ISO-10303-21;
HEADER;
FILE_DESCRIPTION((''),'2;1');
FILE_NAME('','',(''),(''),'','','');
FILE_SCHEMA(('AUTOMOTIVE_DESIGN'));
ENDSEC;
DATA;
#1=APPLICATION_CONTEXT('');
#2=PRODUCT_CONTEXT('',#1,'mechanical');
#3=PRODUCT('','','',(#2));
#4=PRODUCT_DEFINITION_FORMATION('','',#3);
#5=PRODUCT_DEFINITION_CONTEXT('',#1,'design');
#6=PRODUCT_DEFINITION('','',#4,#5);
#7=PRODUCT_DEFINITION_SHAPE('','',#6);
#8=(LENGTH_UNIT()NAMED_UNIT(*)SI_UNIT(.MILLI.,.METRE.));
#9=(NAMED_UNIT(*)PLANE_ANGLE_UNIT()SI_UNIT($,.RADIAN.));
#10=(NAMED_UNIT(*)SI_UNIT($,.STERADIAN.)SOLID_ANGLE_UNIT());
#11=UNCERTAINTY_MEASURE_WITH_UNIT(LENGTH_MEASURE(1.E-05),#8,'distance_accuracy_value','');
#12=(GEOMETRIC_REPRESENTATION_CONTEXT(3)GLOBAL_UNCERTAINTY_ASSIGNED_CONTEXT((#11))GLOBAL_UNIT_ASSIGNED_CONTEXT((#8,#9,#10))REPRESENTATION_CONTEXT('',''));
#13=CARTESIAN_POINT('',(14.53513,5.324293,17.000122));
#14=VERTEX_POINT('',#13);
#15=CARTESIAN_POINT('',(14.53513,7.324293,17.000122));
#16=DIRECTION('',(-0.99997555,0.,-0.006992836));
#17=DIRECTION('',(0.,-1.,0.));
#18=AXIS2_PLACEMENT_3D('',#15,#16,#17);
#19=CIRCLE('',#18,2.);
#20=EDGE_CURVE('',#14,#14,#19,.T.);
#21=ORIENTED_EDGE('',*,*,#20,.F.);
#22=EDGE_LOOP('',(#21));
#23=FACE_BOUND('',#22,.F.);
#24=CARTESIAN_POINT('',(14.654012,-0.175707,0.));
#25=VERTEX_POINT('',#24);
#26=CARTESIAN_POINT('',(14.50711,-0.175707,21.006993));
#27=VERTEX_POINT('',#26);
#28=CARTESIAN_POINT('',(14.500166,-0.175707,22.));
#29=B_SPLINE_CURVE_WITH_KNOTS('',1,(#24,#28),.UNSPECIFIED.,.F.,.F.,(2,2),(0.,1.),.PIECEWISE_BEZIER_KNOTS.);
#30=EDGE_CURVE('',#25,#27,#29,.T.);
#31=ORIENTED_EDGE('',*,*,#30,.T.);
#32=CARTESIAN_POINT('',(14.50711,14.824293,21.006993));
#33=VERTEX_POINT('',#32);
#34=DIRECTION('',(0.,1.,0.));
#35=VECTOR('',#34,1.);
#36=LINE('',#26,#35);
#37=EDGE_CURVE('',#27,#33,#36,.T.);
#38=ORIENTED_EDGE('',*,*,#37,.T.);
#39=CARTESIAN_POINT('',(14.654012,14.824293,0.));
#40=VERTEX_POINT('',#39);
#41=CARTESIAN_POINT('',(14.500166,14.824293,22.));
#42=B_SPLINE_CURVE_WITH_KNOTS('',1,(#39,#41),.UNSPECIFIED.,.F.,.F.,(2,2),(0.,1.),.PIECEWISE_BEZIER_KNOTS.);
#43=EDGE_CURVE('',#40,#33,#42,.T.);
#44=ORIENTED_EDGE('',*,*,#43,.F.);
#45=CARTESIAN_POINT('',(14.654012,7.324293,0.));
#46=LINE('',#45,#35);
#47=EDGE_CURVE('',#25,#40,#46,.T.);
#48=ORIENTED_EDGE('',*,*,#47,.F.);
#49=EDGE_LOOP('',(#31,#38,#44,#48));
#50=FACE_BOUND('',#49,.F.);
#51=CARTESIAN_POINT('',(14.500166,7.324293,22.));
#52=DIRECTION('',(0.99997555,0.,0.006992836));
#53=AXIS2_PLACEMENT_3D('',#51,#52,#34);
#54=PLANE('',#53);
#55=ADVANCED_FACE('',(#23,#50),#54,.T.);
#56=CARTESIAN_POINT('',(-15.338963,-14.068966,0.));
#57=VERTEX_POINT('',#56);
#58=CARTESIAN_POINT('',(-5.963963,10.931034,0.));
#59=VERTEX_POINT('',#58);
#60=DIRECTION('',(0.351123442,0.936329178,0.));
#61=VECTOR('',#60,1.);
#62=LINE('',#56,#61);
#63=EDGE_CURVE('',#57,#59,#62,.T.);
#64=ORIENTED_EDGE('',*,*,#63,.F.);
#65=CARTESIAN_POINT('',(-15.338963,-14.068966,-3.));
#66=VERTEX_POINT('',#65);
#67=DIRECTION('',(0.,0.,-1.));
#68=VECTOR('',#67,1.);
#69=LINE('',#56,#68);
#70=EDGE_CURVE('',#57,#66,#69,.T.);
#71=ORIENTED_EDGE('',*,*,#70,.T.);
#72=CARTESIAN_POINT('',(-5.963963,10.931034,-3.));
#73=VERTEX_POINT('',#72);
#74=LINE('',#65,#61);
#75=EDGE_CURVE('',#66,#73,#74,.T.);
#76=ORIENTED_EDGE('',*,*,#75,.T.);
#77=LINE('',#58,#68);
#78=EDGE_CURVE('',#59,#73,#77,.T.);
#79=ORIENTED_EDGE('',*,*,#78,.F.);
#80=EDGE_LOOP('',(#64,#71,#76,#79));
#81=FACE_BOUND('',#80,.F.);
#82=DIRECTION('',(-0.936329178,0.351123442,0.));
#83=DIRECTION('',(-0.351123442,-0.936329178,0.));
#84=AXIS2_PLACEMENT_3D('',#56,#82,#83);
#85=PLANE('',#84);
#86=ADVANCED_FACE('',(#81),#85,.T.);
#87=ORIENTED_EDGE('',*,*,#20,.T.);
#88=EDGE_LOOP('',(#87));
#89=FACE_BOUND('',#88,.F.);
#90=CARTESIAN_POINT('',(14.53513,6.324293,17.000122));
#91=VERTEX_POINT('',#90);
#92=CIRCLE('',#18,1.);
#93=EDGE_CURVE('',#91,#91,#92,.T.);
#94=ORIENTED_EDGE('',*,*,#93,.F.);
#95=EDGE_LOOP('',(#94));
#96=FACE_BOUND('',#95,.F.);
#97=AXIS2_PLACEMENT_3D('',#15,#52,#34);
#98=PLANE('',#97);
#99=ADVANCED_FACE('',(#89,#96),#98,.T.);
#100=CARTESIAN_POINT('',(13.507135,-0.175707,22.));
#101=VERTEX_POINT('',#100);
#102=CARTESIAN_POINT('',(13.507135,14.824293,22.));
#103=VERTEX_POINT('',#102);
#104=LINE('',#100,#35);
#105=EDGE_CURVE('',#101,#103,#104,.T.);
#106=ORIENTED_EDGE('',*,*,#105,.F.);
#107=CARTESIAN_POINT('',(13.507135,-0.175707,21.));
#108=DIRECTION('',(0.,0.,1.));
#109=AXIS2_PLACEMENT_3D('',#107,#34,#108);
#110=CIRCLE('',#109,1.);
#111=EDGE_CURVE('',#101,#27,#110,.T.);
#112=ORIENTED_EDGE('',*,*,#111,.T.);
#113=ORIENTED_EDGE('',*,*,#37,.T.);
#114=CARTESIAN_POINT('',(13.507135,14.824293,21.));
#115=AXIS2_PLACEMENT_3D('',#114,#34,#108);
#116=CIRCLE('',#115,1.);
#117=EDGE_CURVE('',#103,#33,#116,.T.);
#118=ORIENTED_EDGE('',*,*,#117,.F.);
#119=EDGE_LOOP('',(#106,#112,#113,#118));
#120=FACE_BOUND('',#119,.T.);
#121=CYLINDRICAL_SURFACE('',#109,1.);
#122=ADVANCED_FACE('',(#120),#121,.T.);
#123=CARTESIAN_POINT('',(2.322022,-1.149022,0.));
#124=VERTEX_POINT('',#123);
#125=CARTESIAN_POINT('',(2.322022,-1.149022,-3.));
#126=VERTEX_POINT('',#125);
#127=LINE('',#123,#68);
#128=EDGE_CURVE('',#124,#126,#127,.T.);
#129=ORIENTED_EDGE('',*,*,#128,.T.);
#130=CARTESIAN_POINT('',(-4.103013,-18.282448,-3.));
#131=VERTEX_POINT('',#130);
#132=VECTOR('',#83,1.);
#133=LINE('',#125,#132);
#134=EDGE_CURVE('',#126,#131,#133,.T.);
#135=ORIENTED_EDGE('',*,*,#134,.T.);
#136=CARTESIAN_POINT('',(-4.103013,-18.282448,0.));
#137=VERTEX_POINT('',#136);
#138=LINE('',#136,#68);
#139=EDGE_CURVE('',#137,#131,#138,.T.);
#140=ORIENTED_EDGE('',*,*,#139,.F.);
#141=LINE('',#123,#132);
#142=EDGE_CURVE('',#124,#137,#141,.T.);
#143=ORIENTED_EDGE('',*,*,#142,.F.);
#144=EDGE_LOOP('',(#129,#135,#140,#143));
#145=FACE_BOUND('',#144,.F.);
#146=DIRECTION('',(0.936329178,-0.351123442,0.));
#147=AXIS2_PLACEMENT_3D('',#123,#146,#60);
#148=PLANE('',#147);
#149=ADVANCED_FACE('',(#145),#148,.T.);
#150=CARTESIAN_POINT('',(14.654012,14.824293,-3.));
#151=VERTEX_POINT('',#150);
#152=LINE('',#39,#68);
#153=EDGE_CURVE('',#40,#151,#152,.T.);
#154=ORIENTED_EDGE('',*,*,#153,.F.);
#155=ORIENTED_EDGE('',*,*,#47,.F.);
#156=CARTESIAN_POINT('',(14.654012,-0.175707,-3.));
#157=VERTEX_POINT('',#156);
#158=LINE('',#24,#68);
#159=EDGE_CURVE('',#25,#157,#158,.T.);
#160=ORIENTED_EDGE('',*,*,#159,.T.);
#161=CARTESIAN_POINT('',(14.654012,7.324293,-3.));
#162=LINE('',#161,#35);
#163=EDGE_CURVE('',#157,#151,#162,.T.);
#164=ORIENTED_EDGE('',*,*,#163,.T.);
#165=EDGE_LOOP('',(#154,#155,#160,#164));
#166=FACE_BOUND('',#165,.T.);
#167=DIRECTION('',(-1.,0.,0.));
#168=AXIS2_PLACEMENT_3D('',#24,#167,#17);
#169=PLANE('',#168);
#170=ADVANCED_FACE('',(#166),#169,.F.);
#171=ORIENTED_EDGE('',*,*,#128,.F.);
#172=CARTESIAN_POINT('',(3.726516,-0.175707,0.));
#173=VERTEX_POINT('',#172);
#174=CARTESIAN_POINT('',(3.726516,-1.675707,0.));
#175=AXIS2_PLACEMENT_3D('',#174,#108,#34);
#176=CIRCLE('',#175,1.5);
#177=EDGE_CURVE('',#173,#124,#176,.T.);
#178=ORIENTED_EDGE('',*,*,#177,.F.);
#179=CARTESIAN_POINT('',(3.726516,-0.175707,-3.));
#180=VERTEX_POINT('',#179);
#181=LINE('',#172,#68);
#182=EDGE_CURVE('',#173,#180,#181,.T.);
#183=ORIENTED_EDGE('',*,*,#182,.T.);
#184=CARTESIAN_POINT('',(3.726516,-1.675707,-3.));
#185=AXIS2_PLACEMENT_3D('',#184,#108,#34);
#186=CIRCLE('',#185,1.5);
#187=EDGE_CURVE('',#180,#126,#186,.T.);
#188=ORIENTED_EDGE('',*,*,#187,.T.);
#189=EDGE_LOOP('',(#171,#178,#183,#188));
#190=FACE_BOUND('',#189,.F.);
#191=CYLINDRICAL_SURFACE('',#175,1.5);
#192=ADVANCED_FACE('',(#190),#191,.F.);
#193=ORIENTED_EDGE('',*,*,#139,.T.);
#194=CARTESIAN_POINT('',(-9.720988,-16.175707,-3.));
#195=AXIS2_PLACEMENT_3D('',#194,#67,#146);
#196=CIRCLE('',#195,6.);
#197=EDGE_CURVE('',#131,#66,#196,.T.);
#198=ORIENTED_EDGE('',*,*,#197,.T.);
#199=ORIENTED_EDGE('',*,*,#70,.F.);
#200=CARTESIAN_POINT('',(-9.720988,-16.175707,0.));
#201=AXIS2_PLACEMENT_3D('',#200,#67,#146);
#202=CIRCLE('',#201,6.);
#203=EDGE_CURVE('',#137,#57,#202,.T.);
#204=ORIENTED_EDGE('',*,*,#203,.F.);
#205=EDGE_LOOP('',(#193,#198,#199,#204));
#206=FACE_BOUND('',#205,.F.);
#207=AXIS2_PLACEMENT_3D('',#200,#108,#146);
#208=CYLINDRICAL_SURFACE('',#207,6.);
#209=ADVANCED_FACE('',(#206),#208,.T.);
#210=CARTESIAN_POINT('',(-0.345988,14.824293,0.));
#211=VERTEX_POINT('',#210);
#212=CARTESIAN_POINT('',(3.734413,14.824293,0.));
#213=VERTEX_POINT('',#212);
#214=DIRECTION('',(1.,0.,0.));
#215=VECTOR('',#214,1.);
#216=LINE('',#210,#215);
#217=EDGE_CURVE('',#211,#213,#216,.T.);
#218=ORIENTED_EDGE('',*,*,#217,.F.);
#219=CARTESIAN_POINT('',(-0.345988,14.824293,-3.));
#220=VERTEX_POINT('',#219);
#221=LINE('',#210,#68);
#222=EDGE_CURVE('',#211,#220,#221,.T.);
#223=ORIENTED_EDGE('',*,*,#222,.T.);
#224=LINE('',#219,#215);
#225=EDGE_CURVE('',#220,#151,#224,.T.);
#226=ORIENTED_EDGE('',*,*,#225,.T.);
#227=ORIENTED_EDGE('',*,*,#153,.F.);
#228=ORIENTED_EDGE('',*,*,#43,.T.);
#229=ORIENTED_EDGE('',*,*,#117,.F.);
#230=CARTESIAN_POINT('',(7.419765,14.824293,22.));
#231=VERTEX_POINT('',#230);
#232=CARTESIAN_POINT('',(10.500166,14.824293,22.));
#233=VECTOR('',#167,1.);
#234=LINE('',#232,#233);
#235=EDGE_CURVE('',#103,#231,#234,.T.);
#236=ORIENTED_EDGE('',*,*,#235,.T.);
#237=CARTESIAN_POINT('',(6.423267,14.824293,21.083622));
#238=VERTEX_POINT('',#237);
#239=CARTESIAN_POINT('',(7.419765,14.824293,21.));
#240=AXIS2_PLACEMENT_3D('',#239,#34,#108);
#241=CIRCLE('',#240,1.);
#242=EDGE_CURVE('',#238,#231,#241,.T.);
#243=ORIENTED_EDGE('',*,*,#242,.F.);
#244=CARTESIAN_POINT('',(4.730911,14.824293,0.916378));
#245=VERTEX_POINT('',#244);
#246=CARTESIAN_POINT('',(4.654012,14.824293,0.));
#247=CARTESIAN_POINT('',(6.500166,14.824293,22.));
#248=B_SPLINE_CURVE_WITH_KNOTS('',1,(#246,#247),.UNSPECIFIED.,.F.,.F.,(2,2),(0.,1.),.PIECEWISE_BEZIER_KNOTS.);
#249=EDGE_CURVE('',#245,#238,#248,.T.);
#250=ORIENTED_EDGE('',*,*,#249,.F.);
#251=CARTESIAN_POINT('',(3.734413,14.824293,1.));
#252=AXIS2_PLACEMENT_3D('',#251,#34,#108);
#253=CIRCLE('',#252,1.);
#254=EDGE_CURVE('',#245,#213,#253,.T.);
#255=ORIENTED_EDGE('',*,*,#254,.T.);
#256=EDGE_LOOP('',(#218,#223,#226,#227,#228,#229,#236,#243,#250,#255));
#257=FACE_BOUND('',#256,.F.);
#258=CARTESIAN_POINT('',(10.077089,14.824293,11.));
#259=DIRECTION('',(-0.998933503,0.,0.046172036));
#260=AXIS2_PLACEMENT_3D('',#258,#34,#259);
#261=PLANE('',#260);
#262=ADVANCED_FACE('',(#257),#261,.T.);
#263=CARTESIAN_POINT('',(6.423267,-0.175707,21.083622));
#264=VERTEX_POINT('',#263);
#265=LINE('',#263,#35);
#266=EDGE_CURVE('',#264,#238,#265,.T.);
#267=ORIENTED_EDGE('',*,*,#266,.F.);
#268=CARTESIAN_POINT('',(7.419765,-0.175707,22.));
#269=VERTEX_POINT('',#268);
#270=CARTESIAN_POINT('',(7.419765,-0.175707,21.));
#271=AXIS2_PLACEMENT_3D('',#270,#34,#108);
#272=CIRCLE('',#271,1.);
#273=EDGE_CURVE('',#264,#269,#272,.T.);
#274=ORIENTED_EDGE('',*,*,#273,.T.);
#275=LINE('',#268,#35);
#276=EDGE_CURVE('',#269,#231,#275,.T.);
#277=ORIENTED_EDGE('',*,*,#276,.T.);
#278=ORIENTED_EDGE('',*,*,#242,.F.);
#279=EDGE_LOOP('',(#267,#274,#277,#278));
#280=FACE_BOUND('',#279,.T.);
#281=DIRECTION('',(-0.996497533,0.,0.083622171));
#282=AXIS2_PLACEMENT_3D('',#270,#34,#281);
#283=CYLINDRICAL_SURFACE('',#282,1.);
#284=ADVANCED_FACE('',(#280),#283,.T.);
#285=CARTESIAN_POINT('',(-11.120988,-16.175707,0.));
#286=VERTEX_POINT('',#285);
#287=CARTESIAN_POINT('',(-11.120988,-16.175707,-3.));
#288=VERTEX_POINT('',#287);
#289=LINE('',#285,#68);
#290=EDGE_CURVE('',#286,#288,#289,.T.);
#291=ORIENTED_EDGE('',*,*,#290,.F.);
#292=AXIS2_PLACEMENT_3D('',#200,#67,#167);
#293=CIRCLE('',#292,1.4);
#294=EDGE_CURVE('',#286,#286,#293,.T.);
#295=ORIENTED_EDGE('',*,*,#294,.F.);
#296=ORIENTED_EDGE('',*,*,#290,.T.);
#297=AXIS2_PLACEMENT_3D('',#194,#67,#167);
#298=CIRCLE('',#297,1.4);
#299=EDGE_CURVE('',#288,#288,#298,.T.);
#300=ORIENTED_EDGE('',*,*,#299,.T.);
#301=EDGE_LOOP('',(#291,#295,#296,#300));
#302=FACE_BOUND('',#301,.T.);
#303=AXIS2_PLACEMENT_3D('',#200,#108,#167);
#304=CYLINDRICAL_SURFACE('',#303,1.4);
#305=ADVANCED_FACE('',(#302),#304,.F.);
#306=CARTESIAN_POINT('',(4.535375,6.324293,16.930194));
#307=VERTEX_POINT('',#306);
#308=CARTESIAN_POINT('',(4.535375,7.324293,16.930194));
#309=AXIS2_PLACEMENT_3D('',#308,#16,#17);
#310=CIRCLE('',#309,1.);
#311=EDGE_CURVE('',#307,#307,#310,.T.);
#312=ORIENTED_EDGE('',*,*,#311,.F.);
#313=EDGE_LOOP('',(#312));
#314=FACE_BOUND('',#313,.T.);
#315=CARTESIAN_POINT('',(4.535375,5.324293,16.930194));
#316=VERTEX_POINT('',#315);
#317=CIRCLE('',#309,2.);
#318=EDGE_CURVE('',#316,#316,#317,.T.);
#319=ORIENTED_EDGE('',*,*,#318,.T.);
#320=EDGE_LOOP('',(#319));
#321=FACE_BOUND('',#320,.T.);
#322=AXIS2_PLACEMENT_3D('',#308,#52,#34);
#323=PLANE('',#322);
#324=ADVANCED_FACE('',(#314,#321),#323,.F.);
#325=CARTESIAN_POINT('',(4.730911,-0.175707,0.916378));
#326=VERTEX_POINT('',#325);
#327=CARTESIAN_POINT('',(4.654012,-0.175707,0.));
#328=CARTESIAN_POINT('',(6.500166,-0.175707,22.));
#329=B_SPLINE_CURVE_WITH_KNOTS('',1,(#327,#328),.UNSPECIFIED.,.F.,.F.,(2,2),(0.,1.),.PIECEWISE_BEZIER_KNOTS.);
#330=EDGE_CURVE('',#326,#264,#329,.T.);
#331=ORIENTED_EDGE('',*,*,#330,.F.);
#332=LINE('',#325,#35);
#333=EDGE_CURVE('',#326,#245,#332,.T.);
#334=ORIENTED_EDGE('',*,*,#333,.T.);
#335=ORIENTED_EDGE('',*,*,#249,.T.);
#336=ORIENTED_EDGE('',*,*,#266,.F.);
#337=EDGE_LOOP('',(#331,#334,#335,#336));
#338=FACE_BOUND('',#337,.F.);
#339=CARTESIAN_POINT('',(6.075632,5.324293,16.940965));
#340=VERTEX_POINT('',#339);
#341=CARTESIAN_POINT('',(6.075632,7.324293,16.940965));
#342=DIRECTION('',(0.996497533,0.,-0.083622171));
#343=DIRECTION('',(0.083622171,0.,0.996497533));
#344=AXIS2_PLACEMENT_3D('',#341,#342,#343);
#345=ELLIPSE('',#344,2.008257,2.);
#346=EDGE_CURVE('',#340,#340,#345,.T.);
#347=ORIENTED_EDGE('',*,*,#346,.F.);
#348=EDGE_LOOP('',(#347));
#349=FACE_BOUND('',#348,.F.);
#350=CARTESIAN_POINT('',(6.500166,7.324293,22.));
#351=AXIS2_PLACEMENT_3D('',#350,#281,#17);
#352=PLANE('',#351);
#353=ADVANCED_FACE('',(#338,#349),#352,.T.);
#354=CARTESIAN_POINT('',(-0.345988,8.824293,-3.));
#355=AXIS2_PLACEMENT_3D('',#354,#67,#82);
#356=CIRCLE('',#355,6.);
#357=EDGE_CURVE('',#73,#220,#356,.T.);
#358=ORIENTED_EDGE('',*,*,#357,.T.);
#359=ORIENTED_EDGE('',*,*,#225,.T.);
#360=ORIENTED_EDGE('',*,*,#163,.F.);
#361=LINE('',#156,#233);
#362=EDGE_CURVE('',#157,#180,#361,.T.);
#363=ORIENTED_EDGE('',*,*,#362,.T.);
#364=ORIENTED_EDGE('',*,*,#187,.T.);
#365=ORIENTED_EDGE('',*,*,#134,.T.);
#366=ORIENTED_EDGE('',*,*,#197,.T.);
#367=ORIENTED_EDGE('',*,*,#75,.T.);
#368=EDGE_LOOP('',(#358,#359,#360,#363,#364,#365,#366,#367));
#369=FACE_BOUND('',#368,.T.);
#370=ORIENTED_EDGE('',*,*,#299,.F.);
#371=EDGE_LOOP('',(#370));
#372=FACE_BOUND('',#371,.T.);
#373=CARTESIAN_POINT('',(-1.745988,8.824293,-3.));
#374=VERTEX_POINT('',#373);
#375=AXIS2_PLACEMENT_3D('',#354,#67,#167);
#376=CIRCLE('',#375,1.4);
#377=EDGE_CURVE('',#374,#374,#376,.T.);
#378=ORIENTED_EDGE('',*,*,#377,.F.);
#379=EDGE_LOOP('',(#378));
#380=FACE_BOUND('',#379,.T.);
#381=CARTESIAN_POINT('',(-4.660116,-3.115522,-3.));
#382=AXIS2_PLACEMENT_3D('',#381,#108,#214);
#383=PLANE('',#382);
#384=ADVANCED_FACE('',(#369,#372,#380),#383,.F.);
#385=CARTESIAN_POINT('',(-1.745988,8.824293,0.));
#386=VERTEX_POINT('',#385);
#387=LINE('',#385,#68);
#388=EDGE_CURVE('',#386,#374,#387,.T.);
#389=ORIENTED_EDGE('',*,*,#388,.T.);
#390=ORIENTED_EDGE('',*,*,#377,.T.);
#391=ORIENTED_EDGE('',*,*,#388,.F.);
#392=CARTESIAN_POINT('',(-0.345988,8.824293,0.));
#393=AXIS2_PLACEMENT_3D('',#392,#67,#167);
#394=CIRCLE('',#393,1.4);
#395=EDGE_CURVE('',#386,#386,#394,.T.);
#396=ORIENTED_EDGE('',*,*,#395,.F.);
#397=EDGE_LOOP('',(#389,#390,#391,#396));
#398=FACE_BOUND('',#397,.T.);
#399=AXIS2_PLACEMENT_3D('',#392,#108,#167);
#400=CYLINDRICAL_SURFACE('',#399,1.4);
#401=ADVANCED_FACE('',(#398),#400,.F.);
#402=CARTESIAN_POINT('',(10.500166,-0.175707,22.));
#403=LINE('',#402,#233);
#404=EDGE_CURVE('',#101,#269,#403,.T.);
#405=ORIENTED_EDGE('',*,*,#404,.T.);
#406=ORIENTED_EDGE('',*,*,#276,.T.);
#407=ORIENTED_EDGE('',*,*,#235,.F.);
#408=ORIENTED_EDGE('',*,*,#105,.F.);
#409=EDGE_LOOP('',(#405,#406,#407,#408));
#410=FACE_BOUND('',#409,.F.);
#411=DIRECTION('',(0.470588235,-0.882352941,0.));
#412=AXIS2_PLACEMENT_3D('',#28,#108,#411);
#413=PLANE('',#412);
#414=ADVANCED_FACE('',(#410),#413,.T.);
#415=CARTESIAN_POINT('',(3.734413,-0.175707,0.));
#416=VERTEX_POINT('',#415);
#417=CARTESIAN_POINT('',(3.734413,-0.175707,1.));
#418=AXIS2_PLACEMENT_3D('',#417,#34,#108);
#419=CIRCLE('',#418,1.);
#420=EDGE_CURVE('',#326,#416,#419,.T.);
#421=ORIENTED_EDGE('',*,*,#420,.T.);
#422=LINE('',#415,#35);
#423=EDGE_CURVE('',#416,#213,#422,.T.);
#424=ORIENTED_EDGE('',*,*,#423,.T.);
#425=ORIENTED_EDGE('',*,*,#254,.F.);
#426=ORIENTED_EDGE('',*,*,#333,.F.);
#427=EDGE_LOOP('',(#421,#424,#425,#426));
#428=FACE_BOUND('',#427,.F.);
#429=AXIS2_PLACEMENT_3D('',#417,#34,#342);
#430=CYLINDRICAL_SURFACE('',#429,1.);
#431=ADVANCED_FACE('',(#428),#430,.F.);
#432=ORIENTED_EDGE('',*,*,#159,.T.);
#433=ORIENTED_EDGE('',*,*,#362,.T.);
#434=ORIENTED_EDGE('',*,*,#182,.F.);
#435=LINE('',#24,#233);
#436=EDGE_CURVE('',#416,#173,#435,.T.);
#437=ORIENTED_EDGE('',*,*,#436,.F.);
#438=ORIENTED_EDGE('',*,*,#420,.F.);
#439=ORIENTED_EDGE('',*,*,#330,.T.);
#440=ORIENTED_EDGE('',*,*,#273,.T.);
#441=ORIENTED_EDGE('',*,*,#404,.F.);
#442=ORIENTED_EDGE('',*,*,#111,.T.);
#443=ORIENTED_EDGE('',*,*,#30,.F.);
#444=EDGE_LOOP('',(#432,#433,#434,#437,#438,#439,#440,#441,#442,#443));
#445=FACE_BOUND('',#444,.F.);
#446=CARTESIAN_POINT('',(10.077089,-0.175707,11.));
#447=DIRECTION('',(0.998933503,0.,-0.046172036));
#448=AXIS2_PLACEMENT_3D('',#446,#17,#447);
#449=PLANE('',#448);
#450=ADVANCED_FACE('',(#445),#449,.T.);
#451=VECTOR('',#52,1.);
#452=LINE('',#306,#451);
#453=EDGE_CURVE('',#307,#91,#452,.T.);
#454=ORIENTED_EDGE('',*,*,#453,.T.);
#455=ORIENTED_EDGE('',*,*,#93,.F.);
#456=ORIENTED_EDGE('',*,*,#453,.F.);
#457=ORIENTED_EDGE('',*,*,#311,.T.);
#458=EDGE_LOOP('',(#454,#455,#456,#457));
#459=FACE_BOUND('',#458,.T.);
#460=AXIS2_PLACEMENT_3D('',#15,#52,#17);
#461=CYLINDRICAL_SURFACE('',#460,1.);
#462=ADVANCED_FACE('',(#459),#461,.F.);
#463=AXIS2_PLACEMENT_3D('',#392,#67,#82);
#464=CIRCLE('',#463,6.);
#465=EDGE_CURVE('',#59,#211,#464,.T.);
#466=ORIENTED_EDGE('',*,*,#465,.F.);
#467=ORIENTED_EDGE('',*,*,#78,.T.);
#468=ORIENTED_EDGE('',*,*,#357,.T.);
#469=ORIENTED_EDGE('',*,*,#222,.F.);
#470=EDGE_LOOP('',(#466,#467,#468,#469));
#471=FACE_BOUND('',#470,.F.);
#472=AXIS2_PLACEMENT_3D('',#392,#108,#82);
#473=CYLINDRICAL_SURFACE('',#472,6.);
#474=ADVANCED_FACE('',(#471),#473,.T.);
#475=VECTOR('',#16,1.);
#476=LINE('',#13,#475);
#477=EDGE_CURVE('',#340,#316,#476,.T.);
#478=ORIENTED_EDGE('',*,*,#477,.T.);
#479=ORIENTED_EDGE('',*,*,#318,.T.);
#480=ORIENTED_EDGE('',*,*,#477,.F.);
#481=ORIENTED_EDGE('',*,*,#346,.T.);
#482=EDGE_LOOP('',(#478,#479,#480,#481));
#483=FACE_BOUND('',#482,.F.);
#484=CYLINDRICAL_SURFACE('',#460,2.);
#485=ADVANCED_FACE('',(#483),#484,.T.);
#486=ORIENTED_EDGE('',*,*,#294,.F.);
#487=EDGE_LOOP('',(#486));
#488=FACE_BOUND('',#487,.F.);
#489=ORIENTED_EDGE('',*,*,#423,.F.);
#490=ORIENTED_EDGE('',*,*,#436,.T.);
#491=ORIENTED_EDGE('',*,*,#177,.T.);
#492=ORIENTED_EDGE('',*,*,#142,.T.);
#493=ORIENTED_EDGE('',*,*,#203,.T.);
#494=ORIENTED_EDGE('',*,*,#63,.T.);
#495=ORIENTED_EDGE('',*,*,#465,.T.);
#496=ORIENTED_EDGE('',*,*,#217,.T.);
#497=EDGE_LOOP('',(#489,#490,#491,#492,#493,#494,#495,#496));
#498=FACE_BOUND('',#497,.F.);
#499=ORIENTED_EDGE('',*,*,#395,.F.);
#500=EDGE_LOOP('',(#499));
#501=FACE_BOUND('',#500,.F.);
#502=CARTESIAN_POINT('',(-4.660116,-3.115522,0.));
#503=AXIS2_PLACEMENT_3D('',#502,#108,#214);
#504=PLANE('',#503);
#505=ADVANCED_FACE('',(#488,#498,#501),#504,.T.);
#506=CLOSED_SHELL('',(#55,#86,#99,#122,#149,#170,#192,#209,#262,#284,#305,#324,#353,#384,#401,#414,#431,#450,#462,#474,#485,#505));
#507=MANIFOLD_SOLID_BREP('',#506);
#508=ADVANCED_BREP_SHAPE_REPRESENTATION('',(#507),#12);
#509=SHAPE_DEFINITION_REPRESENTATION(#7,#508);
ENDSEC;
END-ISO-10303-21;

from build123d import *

# Parameters (mm, degrees)
F0_R     = 1.4
F0_W     = 10
F0_H     = 15
F3_DEPTH = 3
F2_W     = 8
F2_H     = 15
F5_R     = 2
F5_R_2   = 1
F6_DEPTH = 10
F7_DEPTH = 15
F8_R     = 1


with BuildPart() as f3:
    # F0 (on Top) → F3 (new body)
    with BuildSketch(Plane.XY):
        with BuildLine():
            Line((-2.3220218662, -1.1490219488), (4.1030128133, -18.2824477607))
            ThreePointArc((4.1030128133, -18.2824477607), (11.8277285282, -21.7936821766), (15.3389629441, -14.0689664616))
            Line((15.3389629441, -14.0689664616), (5.9639629441, 10.9310335384))
            ThreePointArc((5.9639629441, 10.9310335384), (3.7635569052, 13.7558465942), (0.3459878787, 14.8242928889))
            Line((0.3459878787, 14.8242928889), (-4.6540121213, 14.8242928889))
            Line((-4.6540121213, 14.8242928889), (-4.6540121213, -0.1757071111))
            Line((-4.6540121213, -0.1757071111), (-3.7265156326, -0.1757071111))
            ThreePointArc((-3.7265156326, -0.1757071111), (-2.8721233759, -0.4428186848), (-2.3220218662, -1.1490219488))
        make_face()
        with Locations((9.7209878787, -16.1757071111)):
            Circle(F0_R, mode=Mode.SUBTRACT)
        with Locations((0.3459878787, 8.8242928889)):
            Circle(F0_R, mode=Mode.SUBTRACT)
        with Locations((-9.6540121213, 7.3242928889)):
            Rectangle(F0_W, F0_H)
    extrude(amount=-F3_DEPTH)

    # F0 (on Top) → F4 section 0
    with BuildSketch(Plane.XY):
        with Locations((-9.6540121213, 7.3242928889)):
            Rectangle(F0_W, F0_H)
    # F2 (on offset) → F4 section 1
    with BuildSketch(Plane.XY.offset(22)):
        with Locations((-10.5001659675, 7.3242928889)):
            Rectangle(F2_W, F2_H)
    loft()

    # F5 (on face) → F6 (join)
    with BuildSketch(Plane(origin=(-14.6532955437, 0, 0.1024705982), x_dir=(0, -1, 0), z_dir=(-0.9999755498, 0, 0.006992836))):
        with Locations((-7.3242928889, 16.8980648133)):
            Circle(F5_R)
        with Locations((-7.3242928889, 16.8980648133)):
            Circle(F5_R_2, mode=Mode.SUBTRACT)
    extrude(amount=-F6_DEPTH)

    # F5 (on face) → F7 (cut)
    with BuildSketch(Plane(origin=(-14.6532955437, 0, 0.1024705982), x_dir=(0, -1, 0), z_dir=(-0.9999755498, 0, 0.006992836))):
        with Locations((-7.3242928889, 16.8980648133)):
            Circle(F5_R_2)
    extrude(amount=-F7_DEPTH, mode=Mode.SUBTRACT)

    # F8
    f8_edges = [f3.edges().sort_by_distance(p)[0] for p in [
        (-6.500166, 7.324293, 22),
        (-14.500166, 7.324293, 22),
        (-4.654012, 7.324293, 0),
    ]]
    fillet(f8_edges, radius=F8_R)


with BuildPart() as f9_1:
    # F9: instance of F3
    add(f3.part.mirror(Plane.YZ))


solid = f9_1.part
